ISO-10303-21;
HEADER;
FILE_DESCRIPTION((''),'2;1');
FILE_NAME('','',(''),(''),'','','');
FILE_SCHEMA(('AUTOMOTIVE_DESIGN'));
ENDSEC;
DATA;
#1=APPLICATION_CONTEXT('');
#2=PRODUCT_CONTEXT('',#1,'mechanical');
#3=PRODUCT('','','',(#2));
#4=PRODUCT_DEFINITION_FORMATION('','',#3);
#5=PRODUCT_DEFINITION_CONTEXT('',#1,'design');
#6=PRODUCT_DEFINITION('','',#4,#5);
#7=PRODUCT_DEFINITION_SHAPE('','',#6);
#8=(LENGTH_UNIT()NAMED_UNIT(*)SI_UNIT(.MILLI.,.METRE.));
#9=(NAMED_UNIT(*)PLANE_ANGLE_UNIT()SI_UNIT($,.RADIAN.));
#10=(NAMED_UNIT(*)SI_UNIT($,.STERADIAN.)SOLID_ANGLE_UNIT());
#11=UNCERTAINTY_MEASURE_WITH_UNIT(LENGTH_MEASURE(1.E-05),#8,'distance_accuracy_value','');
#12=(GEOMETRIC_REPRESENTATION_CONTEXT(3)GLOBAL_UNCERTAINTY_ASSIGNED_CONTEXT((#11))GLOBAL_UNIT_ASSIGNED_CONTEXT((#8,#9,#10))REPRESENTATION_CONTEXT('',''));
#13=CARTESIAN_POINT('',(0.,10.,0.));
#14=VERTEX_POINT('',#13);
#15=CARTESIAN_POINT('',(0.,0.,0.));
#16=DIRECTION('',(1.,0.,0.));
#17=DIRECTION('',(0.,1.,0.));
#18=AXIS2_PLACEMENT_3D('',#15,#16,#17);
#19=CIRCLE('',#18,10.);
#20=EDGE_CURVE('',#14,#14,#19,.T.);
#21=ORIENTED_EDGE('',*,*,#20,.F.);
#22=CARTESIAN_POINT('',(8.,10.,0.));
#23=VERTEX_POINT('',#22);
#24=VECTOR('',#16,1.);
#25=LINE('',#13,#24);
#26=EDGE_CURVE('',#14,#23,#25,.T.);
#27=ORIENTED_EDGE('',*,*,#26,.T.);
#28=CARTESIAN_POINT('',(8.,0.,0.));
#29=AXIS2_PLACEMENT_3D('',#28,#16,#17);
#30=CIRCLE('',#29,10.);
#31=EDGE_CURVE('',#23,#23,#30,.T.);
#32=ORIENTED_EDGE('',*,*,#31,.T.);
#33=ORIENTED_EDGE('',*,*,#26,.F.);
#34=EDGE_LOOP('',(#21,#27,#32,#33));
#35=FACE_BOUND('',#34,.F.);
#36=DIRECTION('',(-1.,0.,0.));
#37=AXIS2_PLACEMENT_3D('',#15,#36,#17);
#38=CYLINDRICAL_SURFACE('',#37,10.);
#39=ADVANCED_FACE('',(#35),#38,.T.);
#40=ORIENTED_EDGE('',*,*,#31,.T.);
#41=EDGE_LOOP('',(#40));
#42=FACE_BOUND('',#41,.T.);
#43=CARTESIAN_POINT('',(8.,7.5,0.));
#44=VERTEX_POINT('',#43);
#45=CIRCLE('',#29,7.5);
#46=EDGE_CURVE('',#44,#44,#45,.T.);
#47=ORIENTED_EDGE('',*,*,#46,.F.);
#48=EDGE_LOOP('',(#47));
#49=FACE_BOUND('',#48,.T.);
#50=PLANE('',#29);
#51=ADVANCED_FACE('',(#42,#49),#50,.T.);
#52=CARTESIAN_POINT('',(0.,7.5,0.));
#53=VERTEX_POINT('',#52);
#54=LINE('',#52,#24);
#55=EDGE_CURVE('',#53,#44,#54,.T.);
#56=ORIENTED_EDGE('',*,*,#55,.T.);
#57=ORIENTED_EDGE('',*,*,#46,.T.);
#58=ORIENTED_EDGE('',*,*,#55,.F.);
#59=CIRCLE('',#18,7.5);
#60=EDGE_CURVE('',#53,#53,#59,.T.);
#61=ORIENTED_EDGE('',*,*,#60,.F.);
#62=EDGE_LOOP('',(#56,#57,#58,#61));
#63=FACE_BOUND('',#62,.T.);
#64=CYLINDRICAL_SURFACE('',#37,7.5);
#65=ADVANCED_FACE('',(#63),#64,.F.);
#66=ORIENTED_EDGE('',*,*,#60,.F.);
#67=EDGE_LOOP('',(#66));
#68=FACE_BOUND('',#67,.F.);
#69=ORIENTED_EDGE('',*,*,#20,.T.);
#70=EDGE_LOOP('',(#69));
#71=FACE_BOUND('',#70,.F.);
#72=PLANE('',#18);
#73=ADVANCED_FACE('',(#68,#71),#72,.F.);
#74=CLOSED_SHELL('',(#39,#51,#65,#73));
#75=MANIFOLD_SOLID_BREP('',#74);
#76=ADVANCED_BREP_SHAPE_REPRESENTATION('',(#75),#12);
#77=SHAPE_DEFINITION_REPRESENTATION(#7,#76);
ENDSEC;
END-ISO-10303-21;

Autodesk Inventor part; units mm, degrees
ref_plane "YZ Plane" through (0, 0, 0) normal (1, 0, 0) x (0, 1, 0)
ref_plane "XZ Plane" through (0, 0, 0) normal (0, 1, 0) x (-1, 0, 0)
ref_plane "XY Plane" through (0, 0, 0) normal (0, 0, 1) x (1, 0, 0)
sketch "Sketch1" plane through (0, 0, 0) normal (1, 0, 0) x (0, 1, 0)
  circle A0 centre (0, 0) radius 7.5
  circle A1 centre (0, 0) radius 10
  dimension "d0" = 15
  dimension "d1" = 20
extrude "Extrusion1" add sketch "Sketch1" along normal blind 8
properties part number "P303" material "Aluminum 6061"
